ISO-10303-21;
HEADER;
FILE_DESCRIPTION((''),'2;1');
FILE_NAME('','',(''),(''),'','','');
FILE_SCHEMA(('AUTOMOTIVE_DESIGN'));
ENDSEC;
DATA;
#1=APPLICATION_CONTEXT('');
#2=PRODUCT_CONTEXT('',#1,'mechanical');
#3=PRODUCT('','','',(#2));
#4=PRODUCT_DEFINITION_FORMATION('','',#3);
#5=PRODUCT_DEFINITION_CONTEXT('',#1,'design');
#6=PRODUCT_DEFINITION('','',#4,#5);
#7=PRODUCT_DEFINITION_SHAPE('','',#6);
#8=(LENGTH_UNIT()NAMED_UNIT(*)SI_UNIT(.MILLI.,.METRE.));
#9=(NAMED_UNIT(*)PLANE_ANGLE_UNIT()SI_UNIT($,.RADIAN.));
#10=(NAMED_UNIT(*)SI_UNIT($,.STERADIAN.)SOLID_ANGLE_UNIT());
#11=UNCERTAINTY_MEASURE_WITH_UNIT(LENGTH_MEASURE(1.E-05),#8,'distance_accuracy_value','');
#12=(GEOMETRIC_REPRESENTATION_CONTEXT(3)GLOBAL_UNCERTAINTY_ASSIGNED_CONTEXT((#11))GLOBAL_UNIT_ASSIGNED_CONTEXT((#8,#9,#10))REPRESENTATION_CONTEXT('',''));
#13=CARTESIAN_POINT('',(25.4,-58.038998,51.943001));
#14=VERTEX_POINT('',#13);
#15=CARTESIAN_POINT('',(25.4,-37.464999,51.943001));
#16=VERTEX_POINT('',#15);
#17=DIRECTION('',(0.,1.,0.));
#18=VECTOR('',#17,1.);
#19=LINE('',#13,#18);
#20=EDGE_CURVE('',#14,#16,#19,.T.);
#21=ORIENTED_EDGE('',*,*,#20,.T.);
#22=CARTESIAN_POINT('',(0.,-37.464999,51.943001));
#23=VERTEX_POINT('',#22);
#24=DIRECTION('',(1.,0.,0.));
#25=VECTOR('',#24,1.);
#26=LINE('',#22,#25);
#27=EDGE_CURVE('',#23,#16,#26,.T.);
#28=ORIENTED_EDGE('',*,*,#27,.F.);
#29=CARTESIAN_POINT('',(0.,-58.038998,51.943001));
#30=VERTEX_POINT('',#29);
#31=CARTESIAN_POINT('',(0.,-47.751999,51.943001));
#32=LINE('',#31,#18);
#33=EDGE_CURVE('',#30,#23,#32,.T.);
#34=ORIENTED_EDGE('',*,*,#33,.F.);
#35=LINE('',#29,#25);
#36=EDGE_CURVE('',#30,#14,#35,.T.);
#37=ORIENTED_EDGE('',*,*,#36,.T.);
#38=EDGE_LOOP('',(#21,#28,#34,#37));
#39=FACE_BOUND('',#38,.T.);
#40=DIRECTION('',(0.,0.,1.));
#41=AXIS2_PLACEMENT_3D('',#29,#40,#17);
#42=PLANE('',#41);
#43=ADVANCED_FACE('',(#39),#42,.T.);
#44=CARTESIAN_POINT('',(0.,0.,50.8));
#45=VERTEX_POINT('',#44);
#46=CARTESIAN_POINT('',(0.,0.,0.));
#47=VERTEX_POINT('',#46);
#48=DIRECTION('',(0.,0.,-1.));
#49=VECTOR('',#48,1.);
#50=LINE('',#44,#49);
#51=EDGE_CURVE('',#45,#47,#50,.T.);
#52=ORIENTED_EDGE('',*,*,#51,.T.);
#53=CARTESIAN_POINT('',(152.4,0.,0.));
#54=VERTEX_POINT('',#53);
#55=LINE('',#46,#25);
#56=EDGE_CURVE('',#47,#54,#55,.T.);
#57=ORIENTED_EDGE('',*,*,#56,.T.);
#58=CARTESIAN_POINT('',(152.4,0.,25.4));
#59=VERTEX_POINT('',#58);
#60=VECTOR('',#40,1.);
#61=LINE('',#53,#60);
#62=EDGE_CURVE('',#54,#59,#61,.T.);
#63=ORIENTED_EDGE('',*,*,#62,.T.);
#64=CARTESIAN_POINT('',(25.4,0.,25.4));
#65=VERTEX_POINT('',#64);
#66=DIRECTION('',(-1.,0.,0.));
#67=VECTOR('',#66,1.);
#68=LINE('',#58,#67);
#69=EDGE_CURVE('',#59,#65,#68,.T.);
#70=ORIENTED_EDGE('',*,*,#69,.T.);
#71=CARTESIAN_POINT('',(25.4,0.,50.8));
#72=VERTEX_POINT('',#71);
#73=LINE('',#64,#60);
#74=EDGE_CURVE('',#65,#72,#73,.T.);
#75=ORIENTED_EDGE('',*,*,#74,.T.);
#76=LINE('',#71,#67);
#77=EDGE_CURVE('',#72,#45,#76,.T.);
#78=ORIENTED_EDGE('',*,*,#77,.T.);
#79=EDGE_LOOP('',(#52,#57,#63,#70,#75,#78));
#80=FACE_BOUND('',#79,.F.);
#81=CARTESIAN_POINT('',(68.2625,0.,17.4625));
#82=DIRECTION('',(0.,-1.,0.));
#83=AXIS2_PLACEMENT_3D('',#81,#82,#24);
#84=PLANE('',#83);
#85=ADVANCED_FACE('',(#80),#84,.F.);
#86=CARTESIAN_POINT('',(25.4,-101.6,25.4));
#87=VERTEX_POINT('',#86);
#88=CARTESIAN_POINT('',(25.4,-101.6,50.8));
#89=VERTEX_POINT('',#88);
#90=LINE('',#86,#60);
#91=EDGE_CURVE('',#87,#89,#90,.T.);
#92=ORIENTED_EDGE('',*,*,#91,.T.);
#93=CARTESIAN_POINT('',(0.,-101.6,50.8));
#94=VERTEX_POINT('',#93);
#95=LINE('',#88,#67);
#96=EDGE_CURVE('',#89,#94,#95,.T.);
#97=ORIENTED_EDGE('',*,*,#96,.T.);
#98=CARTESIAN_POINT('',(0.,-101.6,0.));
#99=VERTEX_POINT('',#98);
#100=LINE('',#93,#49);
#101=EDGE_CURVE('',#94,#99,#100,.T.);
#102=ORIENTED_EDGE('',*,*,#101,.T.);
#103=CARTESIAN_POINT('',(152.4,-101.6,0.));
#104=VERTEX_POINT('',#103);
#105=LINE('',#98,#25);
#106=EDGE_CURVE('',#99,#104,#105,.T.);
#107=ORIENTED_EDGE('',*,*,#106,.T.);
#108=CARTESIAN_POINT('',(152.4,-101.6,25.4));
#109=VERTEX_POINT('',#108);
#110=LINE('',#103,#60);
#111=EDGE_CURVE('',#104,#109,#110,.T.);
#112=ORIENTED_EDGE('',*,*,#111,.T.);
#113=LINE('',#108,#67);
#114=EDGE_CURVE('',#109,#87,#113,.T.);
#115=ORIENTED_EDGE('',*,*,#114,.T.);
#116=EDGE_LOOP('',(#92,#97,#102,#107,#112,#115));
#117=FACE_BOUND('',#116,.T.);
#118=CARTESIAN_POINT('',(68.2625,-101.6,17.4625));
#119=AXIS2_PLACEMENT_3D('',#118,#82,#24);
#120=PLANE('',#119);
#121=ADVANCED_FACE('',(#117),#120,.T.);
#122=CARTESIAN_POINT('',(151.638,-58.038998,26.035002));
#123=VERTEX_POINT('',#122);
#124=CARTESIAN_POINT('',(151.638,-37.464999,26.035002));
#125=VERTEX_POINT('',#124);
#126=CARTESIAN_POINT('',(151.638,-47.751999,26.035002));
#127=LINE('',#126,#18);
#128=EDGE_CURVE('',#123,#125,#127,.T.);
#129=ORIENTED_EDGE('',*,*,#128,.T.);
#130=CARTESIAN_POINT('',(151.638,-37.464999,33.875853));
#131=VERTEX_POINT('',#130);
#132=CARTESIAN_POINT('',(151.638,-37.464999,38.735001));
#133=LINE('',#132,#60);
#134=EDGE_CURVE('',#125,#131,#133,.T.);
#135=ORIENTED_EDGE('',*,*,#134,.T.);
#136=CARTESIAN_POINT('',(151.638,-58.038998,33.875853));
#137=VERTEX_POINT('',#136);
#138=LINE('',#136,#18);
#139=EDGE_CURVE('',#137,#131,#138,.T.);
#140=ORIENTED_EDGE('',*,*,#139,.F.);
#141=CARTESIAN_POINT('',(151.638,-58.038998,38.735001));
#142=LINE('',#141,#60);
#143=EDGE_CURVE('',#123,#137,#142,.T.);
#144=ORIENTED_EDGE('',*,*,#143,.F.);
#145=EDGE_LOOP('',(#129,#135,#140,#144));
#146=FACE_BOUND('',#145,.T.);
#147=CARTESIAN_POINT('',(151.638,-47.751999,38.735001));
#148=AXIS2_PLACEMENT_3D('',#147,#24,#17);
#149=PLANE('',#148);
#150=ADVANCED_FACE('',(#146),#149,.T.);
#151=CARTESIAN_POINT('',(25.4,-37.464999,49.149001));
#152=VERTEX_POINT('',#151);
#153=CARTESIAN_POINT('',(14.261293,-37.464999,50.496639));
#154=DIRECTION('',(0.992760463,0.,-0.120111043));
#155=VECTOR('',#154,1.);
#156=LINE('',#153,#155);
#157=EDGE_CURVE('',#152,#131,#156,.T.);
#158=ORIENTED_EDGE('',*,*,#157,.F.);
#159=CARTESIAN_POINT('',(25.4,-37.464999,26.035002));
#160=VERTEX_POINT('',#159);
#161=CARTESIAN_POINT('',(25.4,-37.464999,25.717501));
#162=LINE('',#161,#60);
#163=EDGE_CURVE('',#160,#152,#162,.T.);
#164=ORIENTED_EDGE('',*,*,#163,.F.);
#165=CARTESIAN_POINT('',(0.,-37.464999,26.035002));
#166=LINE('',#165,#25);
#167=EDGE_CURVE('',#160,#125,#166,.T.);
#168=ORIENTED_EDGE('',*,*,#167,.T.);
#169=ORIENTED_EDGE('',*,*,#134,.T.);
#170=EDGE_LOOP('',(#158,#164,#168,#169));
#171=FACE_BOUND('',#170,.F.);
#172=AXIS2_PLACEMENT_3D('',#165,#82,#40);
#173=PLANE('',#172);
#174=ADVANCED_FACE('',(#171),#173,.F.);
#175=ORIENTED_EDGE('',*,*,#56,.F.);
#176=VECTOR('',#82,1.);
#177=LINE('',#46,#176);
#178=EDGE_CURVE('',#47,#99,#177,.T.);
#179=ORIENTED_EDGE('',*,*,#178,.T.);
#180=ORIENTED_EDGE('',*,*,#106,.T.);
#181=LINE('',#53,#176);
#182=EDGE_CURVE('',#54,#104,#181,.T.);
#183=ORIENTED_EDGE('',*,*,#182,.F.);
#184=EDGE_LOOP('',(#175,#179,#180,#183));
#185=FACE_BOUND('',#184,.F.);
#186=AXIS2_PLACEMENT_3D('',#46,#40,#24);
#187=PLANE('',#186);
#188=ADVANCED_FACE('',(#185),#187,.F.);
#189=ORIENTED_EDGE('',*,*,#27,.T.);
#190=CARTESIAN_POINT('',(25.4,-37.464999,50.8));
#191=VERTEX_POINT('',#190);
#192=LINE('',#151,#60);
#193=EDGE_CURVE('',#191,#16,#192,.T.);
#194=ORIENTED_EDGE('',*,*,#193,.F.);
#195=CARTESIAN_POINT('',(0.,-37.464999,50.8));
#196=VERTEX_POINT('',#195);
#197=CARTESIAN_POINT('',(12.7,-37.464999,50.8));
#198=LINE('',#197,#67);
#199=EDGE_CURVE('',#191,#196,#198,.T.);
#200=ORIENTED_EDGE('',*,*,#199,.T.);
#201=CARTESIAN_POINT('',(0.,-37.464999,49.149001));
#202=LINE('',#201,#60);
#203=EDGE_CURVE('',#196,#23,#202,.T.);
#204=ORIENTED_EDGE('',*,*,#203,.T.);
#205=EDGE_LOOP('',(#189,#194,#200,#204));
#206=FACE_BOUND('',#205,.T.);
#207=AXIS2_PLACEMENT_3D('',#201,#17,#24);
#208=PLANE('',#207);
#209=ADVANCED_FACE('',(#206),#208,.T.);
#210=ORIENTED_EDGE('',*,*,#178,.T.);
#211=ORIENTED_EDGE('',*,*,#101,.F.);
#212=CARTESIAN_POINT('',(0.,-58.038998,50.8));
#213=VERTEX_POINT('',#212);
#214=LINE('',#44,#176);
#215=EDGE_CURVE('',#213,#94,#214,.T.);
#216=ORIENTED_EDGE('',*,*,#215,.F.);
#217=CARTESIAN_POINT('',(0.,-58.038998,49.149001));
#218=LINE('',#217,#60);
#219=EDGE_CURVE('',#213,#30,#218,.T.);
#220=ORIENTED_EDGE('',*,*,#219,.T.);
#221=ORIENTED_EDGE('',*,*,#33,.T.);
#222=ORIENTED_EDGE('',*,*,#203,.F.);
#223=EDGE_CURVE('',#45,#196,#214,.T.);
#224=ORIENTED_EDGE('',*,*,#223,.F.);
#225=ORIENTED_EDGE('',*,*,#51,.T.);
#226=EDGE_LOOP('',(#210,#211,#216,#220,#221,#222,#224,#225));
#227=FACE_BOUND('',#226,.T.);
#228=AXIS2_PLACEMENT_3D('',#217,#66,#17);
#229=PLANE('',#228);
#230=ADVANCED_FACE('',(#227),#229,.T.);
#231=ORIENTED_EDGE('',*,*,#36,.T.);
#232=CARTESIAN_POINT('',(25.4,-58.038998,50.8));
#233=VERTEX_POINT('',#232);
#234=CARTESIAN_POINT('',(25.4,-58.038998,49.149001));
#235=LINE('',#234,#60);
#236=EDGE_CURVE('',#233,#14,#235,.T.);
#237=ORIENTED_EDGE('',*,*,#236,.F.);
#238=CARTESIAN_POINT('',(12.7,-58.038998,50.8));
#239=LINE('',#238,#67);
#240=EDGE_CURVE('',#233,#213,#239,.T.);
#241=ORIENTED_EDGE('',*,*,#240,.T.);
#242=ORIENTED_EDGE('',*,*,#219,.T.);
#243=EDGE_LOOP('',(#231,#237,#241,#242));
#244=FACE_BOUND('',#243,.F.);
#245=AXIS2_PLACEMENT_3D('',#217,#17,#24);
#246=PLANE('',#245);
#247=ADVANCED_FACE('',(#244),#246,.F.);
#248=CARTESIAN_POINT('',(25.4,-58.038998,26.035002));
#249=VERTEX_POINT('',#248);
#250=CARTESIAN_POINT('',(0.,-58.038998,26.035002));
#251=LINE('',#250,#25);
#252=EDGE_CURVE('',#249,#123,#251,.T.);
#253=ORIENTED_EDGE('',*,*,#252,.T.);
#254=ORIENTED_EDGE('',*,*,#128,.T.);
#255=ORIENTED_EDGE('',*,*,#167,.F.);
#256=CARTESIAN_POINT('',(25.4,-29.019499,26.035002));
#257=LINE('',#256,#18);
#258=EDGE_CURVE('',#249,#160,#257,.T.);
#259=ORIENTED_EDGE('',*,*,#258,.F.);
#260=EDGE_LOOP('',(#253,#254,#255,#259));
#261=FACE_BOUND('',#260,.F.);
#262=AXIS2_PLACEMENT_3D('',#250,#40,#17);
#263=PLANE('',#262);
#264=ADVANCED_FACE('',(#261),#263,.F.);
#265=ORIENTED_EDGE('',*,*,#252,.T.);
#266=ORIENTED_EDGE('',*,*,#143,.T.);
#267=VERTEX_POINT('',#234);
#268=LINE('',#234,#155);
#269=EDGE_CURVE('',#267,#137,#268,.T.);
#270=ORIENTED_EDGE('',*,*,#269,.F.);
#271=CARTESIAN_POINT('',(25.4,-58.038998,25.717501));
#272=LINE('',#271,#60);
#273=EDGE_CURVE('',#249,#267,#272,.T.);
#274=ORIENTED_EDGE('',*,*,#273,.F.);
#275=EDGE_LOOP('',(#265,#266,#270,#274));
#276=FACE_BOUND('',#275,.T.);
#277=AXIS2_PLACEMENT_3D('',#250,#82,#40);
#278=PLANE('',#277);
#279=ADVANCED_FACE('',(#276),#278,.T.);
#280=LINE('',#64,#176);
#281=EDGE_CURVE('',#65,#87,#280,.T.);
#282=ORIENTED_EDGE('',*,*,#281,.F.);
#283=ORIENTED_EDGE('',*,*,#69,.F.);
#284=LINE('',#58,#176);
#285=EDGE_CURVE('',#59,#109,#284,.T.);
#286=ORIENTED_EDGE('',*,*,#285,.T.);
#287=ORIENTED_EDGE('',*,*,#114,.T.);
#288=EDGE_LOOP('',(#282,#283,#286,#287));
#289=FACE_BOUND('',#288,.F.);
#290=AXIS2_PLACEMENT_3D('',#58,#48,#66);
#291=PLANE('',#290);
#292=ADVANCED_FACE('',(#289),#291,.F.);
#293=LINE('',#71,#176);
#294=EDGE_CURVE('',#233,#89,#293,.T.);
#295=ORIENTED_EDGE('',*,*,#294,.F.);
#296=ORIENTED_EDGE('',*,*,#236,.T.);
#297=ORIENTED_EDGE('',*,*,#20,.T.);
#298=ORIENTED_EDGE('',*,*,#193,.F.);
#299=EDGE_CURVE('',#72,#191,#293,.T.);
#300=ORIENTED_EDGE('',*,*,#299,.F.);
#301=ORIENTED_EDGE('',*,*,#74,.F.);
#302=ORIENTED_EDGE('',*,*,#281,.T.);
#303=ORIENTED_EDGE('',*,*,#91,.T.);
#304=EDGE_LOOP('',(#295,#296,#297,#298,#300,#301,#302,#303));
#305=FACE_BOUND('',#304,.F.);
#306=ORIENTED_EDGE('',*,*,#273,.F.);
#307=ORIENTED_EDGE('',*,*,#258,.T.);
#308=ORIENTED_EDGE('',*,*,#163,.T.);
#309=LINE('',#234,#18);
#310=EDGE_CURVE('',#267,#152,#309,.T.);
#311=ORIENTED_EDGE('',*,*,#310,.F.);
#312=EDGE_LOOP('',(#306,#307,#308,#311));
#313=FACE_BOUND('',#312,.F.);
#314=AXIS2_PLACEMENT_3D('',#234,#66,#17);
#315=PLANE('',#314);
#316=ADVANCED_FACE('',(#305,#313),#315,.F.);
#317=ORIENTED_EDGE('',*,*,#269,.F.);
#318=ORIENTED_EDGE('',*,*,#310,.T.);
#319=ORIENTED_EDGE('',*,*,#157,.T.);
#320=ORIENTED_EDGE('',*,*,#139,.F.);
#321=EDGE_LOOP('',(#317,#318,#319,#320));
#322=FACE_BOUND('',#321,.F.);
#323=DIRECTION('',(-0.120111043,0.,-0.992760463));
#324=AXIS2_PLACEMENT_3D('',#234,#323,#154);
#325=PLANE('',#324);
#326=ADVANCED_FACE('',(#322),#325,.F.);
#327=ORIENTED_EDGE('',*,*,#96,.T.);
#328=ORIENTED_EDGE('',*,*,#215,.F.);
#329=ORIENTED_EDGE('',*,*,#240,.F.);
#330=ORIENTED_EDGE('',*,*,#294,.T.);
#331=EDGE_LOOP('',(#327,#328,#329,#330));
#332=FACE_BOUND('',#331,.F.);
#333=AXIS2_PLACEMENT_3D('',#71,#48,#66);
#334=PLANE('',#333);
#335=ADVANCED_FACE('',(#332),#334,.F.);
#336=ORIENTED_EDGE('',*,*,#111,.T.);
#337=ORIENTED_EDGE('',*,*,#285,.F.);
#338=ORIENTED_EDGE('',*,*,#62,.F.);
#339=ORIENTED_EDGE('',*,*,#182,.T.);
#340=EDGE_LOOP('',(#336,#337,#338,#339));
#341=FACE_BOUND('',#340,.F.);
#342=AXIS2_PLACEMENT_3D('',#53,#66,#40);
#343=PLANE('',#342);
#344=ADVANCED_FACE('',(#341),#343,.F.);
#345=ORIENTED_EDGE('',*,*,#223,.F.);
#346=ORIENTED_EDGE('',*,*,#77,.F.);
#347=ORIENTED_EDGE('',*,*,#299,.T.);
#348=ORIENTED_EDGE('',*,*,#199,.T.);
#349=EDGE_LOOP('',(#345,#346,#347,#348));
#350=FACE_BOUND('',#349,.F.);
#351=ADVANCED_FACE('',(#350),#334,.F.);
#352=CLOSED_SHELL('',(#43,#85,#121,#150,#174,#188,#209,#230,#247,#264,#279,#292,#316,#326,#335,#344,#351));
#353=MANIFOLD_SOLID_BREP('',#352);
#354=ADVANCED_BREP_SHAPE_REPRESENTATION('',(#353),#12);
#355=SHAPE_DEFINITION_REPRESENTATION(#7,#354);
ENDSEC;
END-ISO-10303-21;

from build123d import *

# Parameters (mm, degrees)
F1_DEPTH = 101.6
F2_W     = 20.5739997327
F2_H     = 25.399999693
F3_DEPTH = 151.638
F4_DEPTH = 2.286
F6_DEPTH = 32.512
F7_DEPTH = 2.794


with BuildPart() as f1:
    # F0 (on Front) → F1 (new body)
    with BuildSketch(Plane.XZ):
        Polygon((0, 50.8), (0, 0), (152.4, 0), (152.4, 25.4), (25.4, 25.4), (25.4, 50.8), align=None)
    extrude(amount=F1_DEPTH)

    # F2 (on Right) → F3 (join)
    with BuildSketch(Plane.YZ):
        with Locations((-47.7519985288, 38.735001348)):
            Rectangle(F2_W, F2_H)
    extrude(amount=F3_DEPTH)

    # F4 (cut): a face of the model
    f4_faces = [f1.faces().sort_by_distance(p)[0] for p in [
        (75.819, -47.7519985288, 51.4350011945),
    ]]
    extrude(f4_faces, amount=-F4_DEPTH, mode=Mode.SUBTRACT)

    # F5 (on face) → F6 (cut)
    with BuildSketch(Plane.XZ.offset(58.0389983952)):
        Polygon((151.638, 49.1490011945), (25.4, 49.1490011945), (151.638, 33.8758528233), align=None)
    extrude(amount=-F6_DEPTH, mode=Mode.SUBTRACT)

    # F7 (add): a face of the model
    f7_faces = [f1.faces().sort_by_distance(p)[0] for p in [
        (12.7, -47.7519985288, 49.1490011945),
    ]]
    extrude(f7_faces, amount=F7_DEPTH)


solid = f1.part
